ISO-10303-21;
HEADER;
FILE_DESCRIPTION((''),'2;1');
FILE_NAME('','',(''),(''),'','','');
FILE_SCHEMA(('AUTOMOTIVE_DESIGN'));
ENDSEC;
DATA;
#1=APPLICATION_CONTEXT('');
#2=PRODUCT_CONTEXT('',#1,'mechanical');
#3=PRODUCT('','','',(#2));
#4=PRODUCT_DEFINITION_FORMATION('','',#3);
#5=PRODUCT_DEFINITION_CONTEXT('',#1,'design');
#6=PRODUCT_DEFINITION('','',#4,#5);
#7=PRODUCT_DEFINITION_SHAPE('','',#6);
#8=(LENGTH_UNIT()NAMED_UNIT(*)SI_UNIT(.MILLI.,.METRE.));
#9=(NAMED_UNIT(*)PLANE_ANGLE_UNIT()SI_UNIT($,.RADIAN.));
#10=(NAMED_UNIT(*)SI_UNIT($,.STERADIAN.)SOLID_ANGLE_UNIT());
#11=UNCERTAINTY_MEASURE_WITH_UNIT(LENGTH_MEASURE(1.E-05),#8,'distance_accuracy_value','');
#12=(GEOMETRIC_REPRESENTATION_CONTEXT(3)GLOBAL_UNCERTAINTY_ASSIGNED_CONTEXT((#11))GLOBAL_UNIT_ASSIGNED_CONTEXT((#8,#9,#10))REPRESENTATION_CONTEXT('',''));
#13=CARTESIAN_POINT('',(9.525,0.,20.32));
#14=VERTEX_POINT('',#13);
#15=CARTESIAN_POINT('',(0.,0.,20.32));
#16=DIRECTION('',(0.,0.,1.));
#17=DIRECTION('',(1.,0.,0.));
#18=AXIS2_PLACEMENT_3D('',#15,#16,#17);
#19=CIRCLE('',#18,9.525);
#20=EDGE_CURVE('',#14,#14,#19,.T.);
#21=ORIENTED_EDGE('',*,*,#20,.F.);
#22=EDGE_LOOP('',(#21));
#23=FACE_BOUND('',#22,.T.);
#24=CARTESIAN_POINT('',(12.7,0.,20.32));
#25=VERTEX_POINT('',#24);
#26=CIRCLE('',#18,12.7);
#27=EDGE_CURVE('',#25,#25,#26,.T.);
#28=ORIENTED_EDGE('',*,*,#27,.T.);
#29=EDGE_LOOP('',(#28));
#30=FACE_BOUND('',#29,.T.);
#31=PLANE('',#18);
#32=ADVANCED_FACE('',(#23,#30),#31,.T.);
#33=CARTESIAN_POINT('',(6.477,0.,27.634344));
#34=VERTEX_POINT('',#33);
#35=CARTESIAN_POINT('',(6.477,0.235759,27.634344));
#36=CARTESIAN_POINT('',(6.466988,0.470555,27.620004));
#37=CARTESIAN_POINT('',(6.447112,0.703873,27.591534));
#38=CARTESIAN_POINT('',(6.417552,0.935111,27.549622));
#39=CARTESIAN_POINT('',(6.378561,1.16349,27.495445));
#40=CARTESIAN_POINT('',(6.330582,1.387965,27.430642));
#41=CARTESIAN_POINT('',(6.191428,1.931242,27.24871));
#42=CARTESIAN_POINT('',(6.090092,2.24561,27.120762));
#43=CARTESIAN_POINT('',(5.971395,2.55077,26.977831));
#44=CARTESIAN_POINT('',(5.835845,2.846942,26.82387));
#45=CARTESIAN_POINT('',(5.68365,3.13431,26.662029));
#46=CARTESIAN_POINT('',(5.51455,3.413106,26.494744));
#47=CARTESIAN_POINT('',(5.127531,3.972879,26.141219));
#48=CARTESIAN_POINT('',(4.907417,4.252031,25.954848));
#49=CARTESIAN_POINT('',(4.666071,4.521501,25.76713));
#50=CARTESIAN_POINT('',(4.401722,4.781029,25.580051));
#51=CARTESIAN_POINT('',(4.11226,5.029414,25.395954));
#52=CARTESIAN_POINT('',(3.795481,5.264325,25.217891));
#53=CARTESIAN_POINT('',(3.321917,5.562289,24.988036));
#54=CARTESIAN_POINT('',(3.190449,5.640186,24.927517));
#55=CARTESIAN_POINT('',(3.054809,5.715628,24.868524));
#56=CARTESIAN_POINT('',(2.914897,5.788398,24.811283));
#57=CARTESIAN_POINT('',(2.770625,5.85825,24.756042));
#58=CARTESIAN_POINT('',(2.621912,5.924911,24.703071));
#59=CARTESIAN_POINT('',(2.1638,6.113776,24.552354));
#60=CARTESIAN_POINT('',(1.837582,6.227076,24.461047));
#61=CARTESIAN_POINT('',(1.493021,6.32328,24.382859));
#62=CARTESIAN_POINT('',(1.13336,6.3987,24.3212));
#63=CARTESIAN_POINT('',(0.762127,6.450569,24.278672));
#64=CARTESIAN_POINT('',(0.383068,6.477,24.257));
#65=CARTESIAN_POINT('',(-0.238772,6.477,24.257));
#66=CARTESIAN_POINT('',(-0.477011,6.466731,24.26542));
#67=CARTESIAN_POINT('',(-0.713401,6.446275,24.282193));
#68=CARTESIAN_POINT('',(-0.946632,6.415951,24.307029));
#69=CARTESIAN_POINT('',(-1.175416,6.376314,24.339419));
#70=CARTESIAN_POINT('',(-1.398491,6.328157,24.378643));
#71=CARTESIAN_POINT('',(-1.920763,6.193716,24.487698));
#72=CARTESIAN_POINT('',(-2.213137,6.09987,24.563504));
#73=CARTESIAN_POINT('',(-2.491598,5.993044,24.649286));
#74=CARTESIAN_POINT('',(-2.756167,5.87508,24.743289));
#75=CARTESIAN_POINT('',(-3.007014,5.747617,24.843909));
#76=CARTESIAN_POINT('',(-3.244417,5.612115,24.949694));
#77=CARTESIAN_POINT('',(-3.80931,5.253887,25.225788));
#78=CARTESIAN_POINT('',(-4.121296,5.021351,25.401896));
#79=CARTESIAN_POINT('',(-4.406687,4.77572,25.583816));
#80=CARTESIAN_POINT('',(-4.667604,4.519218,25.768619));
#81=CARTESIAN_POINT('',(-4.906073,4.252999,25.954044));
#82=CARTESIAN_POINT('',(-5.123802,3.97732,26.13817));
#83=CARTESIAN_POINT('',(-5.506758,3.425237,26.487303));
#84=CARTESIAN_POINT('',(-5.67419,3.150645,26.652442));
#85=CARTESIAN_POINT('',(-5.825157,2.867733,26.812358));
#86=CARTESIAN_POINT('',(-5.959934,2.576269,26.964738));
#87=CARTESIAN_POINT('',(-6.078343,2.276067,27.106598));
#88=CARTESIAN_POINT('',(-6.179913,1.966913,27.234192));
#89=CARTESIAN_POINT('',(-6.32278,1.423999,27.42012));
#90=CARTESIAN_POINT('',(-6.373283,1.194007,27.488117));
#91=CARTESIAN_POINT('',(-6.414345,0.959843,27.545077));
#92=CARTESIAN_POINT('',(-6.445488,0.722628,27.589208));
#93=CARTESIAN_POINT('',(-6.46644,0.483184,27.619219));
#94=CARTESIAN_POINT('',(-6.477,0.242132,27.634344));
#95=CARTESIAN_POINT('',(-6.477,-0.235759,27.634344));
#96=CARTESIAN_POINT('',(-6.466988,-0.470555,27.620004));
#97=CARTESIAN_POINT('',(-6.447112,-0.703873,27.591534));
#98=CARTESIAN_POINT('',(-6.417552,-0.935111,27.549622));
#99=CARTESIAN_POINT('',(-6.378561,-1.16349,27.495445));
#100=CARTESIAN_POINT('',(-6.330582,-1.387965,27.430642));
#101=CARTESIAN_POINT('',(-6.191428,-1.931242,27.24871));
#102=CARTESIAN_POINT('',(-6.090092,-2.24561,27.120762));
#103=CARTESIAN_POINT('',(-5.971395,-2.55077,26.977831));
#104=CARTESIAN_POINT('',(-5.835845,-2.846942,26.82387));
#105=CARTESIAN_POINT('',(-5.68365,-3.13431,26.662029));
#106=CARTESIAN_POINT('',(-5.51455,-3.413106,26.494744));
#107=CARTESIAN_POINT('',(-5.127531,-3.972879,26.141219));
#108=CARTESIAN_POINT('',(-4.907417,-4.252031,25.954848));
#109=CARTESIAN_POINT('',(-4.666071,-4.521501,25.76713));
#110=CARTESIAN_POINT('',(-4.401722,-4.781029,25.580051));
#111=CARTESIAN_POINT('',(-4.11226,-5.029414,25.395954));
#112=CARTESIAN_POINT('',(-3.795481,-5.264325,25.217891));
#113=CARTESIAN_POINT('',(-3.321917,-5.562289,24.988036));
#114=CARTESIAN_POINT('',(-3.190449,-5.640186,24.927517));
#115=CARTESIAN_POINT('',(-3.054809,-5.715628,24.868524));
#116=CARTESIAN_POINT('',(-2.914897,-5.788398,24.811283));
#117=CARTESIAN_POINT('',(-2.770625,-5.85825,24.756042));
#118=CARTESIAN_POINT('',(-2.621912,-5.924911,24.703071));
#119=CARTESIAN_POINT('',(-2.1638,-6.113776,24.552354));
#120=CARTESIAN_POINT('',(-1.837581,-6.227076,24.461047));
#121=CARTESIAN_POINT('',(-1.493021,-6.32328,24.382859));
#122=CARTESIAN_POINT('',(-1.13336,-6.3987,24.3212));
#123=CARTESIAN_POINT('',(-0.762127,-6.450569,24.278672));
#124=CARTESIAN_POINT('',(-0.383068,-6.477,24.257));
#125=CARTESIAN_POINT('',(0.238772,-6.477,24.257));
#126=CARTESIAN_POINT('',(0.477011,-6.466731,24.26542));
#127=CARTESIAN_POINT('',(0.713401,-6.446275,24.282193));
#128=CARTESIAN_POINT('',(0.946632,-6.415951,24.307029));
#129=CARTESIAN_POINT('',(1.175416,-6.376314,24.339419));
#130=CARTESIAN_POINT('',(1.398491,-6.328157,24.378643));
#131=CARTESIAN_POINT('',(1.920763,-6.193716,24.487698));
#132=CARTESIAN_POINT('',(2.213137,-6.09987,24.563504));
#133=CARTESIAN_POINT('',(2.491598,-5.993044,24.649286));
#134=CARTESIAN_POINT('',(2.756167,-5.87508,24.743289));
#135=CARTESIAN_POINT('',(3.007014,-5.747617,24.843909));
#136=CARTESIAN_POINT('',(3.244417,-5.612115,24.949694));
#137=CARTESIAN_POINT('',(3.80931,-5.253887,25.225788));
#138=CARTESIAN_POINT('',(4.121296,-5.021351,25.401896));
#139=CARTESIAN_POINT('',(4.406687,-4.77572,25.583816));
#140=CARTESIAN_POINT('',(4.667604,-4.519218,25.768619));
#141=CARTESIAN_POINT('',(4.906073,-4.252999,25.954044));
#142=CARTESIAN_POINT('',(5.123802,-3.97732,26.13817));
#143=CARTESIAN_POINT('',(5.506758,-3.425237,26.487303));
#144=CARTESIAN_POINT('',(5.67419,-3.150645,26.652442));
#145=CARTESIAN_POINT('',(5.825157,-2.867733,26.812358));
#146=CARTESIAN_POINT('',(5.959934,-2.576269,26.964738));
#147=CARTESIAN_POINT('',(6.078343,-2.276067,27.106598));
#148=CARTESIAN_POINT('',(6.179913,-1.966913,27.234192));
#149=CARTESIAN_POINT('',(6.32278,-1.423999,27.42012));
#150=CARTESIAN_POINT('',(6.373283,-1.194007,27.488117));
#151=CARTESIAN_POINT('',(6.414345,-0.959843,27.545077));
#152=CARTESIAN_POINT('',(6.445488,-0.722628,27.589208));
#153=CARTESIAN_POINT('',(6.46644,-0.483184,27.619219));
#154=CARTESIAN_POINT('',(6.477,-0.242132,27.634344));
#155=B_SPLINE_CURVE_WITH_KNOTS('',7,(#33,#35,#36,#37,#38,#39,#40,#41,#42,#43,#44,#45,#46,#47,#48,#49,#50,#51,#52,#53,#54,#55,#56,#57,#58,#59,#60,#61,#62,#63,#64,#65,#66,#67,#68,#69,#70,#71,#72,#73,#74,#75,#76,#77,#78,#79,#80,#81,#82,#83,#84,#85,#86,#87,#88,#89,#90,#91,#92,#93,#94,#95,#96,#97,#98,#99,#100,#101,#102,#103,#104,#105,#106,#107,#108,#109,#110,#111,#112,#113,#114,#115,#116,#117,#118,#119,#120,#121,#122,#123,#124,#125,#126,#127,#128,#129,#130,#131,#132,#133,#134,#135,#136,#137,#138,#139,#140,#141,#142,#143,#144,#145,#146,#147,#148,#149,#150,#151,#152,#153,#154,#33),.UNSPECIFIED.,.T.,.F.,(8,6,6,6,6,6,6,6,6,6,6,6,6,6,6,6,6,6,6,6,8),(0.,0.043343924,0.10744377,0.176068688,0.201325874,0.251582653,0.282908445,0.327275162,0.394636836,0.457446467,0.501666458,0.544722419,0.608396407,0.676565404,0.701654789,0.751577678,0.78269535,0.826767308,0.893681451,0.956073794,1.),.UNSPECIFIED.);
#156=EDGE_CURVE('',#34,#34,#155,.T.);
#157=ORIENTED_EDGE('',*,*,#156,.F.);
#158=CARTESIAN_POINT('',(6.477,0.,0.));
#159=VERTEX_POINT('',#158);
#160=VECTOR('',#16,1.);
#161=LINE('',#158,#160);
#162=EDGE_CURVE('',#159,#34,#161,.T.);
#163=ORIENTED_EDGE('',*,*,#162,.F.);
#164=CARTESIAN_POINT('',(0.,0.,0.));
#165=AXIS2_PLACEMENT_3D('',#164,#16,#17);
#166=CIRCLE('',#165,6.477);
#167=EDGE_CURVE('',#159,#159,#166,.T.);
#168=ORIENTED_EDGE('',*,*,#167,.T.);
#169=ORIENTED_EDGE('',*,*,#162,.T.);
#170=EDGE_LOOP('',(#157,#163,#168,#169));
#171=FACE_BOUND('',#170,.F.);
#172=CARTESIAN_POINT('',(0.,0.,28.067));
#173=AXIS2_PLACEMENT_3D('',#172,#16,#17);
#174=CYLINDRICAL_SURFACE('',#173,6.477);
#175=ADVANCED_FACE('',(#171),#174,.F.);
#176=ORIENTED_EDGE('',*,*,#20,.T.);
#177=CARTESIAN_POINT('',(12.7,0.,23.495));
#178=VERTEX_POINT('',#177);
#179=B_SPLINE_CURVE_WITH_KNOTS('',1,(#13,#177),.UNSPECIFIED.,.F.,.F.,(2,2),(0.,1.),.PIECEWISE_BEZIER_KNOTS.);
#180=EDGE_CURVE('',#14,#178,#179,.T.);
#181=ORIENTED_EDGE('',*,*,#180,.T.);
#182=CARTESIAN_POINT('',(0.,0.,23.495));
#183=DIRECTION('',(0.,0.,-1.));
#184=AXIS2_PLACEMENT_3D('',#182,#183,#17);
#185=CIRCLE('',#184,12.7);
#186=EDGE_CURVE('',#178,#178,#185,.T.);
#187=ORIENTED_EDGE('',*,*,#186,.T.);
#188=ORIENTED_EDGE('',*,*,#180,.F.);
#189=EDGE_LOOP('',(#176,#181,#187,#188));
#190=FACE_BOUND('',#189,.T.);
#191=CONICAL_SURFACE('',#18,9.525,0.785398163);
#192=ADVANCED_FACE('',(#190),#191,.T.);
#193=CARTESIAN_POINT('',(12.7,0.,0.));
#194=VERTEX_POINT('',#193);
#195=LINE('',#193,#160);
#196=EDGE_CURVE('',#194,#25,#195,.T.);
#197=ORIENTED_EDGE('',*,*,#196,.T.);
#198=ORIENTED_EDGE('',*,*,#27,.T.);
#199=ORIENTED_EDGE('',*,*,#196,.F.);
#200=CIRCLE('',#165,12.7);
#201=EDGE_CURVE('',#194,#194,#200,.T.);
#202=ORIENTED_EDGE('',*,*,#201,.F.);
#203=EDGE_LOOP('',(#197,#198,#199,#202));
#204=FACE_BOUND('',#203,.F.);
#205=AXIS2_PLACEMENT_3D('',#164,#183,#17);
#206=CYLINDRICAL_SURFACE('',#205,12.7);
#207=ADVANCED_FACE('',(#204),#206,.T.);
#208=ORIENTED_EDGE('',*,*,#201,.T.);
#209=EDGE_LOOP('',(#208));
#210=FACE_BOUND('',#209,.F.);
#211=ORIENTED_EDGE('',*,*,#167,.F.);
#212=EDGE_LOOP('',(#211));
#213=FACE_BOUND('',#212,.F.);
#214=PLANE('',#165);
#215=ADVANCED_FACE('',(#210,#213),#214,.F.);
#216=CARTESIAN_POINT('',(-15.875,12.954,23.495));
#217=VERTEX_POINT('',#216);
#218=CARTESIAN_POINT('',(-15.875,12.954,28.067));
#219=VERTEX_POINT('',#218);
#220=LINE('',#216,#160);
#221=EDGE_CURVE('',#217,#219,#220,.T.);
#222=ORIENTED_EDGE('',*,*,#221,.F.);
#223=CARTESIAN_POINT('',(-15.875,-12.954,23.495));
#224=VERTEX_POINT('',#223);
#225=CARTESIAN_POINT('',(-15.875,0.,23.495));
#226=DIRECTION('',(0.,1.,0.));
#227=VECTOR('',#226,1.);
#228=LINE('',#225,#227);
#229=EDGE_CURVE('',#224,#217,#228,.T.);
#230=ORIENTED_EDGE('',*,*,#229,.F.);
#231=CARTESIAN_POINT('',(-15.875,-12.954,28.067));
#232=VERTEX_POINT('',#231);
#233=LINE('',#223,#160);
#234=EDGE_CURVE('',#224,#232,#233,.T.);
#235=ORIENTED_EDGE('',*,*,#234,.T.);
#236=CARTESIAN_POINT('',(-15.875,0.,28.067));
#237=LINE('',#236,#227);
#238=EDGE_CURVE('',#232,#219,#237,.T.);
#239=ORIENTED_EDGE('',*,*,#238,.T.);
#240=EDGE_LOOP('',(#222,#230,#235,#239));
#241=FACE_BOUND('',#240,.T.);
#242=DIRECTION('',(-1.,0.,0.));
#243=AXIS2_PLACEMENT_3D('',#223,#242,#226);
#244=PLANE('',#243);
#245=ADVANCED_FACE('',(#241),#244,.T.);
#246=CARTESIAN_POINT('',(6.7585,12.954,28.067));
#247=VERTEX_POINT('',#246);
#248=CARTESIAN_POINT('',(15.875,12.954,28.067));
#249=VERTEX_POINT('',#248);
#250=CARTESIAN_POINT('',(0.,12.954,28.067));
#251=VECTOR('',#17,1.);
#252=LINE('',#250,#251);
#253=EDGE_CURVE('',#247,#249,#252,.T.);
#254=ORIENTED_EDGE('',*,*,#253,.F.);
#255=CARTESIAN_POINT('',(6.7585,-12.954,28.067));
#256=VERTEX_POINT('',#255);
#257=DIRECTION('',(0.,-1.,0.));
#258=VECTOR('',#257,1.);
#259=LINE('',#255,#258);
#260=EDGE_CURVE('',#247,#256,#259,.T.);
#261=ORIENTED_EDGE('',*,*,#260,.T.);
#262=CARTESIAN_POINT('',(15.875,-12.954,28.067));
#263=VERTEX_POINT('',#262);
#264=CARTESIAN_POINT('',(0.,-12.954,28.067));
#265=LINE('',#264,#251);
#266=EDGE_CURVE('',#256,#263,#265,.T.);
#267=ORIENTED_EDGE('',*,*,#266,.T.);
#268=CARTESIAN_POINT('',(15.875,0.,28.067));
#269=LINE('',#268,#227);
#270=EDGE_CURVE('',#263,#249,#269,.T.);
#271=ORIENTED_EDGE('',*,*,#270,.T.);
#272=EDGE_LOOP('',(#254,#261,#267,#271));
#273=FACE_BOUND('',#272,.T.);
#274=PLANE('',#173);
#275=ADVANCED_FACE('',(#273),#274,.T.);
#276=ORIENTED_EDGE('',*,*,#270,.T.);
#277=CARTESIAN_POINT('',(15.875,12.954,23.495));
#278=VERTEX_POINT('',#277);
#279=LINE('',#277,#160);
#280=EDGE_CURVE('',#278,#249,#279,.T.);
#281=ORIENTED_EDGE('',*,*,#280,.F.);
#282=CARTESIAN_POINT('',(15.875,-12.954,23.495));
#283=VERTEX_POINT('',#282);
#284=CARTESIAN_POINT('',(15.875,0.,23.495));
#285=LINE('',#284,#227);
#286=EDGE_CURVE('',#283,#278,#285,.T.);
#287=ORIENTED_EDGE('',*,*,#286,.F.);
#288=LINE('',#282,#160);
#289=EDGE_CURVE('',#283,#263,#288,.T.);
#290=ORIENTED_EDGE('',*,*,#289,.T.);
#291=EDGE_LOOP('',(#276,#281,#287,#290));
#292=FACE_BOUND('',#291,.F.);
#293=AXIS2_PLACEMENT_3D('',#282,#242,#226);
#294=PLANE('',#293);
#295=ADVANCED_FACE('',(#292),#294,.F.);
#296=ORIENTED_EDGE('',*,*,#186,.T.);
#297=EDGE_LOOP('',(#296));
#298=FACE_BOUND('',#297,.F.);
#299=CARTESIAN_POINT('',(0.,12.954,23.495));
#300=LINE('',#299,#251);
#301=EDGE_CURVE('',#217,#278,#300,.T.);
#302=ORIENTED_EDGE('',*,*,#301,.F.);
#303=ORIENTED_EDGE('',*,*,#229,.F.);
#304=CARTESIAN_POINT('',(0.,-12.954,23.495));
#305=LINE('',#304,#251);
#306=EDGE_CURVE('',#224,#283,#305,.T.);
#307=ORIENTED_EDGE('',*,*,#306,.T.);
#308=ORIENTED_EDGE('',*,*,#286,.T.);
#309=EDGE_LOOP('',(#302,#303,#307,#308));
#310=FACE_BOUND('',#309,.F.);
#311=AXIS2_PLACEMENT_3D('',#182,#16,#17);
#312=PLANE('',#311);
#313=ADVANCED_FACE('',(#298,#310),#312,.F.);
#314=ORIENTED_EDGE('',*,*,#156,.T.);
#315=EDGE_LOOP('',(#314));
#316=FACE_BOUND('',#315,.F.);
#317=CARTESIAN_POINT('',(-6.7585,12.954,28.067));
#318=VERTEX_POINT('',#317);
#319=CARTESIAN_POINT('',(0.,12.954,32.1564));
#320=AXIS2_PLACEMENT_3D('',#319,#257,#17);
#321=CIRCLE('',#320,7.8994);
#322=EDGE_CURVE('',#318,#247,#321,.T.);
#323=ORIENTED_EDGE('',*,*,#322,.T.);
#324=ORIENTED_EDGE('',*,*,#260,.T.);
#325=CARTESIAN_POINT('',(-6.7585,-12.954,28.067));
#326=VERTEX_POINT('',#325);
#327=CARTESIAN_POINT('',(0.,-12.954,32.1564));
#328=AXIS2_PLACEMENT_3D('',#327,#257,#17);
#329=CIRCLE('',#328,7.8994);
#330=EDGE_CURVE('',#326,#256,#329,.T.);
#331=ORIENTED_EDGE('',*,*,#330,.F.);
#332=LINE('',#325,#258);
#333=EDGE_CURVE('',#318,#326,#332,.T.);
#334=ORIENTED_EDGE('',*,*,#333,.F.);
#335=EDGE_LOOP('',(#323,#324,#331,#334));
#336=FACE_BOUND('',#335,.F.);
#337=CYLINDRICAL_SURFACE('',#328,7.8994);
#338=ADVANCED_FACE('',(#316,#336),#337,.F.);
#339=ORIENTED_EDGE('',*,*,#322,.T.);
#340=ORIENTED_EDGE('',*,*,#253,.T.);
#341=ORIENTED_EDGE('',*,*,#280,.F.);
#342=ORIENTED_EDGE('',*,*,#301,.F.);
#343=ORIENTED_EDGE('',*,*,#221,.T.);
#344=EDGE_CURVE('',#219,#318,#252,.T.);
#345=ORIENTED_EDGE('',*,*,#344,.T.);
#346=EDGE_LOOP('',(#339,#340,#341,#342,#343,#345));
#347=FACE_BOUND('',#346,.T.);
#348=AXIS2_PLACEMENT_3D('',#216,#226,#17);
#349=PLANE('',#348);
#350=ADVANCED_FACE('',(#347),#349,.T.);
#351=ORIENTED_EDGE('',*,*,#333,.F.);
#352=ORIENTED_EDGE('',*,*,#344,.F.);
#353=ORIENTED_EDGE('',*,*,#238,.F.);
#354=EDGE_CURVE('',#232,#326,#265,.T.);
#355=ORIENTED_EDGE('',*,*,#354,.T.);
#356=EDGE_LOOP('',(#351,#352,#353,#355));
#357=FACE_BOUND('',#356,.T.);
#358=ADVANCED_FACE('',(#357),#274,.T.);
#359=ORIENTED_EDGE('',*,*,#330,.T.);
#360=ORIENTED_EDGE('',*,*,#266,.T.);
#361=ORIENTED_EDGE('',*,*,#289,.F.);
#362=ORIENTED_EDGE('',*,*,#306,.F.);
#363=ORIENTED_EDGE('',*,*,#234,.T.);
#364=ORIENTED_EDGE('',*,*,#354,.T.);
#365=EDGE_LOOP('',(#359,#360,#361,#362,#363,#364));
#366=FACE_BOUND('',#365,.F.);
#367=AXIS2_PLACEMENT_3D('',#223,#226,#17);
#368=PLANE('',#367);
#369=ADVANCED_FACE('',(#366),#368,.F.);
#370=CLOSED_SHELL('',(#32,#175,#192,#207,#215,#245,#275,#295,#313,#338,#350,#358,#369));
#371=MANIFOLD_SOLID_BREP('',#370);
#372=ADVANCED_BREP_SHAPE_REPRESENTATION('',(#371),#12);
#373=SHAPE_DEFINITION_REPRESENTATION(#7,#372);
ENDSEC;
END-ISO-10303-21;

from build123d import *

# Parameters (mm, degrees)
F0_R      = 12.7
F1_DEPTH  = 20.32
F3_R      = 9.525
F4_DEPTH  = 3.175
F4_TAPER  = -45
F6_R      = 6.477
F7_DEPTH  = 23.496
F8_W      = 31.75
F8_H      = 25.908
F9_DEPTH  = 4.572
F11_R     = 6.477
F12_DEPTH = 28.068
F14_R     = 7.8994
F15_DEPTH = 25.909


with BuildPart() as f1:
    # F0 (on Top) → F1 (new body)
    with BuildSketch(Plane.XY):
        Circle(F0_R)
    extrude(amount=F1_DEPTH)

    # F3 (on offset) → F4 (join)
    with BuildSketch(Plane.XY.offset(20.32)):
        Circle(F3_R)
    extrude(amount=F4_DEPTH, taper=F4_TAPER)

    # F6 (on offset) → F7 (cut, through all)
    with BuildSketch(Plane.XY.offset(23.495)):
        Circle(F6_R)
    extrude(amount=-F7_DEPTH, mode=Mode.SUBTRACT)

    # F8 (on offset) → F9 (join)
    with BuildSketch(Plane.XY.offset(23.495)):
        Rectangle(F8_W, F8_H)
    extrude(amount=F9_DEPTH)

    # F11 (on offset) → F12 (cut, through all)
    with BuildSketch(Plane.XY.offset(28.067)):
        Circle(F11_R)
    extrude(amount=-F12_DEPTH, mode=Mode.SUBTRACT)

    # F14 (on offset) → F15 (cut, through all)
    with BuildSketch(Plane.XZ.offset(12.954)):
        with Locations((0, 32.1564)):
            Circle(F14_R)
    extrude(amount=-F15_DEPTH, mode=Mode.SUBTRACT)


solid = f1.part
